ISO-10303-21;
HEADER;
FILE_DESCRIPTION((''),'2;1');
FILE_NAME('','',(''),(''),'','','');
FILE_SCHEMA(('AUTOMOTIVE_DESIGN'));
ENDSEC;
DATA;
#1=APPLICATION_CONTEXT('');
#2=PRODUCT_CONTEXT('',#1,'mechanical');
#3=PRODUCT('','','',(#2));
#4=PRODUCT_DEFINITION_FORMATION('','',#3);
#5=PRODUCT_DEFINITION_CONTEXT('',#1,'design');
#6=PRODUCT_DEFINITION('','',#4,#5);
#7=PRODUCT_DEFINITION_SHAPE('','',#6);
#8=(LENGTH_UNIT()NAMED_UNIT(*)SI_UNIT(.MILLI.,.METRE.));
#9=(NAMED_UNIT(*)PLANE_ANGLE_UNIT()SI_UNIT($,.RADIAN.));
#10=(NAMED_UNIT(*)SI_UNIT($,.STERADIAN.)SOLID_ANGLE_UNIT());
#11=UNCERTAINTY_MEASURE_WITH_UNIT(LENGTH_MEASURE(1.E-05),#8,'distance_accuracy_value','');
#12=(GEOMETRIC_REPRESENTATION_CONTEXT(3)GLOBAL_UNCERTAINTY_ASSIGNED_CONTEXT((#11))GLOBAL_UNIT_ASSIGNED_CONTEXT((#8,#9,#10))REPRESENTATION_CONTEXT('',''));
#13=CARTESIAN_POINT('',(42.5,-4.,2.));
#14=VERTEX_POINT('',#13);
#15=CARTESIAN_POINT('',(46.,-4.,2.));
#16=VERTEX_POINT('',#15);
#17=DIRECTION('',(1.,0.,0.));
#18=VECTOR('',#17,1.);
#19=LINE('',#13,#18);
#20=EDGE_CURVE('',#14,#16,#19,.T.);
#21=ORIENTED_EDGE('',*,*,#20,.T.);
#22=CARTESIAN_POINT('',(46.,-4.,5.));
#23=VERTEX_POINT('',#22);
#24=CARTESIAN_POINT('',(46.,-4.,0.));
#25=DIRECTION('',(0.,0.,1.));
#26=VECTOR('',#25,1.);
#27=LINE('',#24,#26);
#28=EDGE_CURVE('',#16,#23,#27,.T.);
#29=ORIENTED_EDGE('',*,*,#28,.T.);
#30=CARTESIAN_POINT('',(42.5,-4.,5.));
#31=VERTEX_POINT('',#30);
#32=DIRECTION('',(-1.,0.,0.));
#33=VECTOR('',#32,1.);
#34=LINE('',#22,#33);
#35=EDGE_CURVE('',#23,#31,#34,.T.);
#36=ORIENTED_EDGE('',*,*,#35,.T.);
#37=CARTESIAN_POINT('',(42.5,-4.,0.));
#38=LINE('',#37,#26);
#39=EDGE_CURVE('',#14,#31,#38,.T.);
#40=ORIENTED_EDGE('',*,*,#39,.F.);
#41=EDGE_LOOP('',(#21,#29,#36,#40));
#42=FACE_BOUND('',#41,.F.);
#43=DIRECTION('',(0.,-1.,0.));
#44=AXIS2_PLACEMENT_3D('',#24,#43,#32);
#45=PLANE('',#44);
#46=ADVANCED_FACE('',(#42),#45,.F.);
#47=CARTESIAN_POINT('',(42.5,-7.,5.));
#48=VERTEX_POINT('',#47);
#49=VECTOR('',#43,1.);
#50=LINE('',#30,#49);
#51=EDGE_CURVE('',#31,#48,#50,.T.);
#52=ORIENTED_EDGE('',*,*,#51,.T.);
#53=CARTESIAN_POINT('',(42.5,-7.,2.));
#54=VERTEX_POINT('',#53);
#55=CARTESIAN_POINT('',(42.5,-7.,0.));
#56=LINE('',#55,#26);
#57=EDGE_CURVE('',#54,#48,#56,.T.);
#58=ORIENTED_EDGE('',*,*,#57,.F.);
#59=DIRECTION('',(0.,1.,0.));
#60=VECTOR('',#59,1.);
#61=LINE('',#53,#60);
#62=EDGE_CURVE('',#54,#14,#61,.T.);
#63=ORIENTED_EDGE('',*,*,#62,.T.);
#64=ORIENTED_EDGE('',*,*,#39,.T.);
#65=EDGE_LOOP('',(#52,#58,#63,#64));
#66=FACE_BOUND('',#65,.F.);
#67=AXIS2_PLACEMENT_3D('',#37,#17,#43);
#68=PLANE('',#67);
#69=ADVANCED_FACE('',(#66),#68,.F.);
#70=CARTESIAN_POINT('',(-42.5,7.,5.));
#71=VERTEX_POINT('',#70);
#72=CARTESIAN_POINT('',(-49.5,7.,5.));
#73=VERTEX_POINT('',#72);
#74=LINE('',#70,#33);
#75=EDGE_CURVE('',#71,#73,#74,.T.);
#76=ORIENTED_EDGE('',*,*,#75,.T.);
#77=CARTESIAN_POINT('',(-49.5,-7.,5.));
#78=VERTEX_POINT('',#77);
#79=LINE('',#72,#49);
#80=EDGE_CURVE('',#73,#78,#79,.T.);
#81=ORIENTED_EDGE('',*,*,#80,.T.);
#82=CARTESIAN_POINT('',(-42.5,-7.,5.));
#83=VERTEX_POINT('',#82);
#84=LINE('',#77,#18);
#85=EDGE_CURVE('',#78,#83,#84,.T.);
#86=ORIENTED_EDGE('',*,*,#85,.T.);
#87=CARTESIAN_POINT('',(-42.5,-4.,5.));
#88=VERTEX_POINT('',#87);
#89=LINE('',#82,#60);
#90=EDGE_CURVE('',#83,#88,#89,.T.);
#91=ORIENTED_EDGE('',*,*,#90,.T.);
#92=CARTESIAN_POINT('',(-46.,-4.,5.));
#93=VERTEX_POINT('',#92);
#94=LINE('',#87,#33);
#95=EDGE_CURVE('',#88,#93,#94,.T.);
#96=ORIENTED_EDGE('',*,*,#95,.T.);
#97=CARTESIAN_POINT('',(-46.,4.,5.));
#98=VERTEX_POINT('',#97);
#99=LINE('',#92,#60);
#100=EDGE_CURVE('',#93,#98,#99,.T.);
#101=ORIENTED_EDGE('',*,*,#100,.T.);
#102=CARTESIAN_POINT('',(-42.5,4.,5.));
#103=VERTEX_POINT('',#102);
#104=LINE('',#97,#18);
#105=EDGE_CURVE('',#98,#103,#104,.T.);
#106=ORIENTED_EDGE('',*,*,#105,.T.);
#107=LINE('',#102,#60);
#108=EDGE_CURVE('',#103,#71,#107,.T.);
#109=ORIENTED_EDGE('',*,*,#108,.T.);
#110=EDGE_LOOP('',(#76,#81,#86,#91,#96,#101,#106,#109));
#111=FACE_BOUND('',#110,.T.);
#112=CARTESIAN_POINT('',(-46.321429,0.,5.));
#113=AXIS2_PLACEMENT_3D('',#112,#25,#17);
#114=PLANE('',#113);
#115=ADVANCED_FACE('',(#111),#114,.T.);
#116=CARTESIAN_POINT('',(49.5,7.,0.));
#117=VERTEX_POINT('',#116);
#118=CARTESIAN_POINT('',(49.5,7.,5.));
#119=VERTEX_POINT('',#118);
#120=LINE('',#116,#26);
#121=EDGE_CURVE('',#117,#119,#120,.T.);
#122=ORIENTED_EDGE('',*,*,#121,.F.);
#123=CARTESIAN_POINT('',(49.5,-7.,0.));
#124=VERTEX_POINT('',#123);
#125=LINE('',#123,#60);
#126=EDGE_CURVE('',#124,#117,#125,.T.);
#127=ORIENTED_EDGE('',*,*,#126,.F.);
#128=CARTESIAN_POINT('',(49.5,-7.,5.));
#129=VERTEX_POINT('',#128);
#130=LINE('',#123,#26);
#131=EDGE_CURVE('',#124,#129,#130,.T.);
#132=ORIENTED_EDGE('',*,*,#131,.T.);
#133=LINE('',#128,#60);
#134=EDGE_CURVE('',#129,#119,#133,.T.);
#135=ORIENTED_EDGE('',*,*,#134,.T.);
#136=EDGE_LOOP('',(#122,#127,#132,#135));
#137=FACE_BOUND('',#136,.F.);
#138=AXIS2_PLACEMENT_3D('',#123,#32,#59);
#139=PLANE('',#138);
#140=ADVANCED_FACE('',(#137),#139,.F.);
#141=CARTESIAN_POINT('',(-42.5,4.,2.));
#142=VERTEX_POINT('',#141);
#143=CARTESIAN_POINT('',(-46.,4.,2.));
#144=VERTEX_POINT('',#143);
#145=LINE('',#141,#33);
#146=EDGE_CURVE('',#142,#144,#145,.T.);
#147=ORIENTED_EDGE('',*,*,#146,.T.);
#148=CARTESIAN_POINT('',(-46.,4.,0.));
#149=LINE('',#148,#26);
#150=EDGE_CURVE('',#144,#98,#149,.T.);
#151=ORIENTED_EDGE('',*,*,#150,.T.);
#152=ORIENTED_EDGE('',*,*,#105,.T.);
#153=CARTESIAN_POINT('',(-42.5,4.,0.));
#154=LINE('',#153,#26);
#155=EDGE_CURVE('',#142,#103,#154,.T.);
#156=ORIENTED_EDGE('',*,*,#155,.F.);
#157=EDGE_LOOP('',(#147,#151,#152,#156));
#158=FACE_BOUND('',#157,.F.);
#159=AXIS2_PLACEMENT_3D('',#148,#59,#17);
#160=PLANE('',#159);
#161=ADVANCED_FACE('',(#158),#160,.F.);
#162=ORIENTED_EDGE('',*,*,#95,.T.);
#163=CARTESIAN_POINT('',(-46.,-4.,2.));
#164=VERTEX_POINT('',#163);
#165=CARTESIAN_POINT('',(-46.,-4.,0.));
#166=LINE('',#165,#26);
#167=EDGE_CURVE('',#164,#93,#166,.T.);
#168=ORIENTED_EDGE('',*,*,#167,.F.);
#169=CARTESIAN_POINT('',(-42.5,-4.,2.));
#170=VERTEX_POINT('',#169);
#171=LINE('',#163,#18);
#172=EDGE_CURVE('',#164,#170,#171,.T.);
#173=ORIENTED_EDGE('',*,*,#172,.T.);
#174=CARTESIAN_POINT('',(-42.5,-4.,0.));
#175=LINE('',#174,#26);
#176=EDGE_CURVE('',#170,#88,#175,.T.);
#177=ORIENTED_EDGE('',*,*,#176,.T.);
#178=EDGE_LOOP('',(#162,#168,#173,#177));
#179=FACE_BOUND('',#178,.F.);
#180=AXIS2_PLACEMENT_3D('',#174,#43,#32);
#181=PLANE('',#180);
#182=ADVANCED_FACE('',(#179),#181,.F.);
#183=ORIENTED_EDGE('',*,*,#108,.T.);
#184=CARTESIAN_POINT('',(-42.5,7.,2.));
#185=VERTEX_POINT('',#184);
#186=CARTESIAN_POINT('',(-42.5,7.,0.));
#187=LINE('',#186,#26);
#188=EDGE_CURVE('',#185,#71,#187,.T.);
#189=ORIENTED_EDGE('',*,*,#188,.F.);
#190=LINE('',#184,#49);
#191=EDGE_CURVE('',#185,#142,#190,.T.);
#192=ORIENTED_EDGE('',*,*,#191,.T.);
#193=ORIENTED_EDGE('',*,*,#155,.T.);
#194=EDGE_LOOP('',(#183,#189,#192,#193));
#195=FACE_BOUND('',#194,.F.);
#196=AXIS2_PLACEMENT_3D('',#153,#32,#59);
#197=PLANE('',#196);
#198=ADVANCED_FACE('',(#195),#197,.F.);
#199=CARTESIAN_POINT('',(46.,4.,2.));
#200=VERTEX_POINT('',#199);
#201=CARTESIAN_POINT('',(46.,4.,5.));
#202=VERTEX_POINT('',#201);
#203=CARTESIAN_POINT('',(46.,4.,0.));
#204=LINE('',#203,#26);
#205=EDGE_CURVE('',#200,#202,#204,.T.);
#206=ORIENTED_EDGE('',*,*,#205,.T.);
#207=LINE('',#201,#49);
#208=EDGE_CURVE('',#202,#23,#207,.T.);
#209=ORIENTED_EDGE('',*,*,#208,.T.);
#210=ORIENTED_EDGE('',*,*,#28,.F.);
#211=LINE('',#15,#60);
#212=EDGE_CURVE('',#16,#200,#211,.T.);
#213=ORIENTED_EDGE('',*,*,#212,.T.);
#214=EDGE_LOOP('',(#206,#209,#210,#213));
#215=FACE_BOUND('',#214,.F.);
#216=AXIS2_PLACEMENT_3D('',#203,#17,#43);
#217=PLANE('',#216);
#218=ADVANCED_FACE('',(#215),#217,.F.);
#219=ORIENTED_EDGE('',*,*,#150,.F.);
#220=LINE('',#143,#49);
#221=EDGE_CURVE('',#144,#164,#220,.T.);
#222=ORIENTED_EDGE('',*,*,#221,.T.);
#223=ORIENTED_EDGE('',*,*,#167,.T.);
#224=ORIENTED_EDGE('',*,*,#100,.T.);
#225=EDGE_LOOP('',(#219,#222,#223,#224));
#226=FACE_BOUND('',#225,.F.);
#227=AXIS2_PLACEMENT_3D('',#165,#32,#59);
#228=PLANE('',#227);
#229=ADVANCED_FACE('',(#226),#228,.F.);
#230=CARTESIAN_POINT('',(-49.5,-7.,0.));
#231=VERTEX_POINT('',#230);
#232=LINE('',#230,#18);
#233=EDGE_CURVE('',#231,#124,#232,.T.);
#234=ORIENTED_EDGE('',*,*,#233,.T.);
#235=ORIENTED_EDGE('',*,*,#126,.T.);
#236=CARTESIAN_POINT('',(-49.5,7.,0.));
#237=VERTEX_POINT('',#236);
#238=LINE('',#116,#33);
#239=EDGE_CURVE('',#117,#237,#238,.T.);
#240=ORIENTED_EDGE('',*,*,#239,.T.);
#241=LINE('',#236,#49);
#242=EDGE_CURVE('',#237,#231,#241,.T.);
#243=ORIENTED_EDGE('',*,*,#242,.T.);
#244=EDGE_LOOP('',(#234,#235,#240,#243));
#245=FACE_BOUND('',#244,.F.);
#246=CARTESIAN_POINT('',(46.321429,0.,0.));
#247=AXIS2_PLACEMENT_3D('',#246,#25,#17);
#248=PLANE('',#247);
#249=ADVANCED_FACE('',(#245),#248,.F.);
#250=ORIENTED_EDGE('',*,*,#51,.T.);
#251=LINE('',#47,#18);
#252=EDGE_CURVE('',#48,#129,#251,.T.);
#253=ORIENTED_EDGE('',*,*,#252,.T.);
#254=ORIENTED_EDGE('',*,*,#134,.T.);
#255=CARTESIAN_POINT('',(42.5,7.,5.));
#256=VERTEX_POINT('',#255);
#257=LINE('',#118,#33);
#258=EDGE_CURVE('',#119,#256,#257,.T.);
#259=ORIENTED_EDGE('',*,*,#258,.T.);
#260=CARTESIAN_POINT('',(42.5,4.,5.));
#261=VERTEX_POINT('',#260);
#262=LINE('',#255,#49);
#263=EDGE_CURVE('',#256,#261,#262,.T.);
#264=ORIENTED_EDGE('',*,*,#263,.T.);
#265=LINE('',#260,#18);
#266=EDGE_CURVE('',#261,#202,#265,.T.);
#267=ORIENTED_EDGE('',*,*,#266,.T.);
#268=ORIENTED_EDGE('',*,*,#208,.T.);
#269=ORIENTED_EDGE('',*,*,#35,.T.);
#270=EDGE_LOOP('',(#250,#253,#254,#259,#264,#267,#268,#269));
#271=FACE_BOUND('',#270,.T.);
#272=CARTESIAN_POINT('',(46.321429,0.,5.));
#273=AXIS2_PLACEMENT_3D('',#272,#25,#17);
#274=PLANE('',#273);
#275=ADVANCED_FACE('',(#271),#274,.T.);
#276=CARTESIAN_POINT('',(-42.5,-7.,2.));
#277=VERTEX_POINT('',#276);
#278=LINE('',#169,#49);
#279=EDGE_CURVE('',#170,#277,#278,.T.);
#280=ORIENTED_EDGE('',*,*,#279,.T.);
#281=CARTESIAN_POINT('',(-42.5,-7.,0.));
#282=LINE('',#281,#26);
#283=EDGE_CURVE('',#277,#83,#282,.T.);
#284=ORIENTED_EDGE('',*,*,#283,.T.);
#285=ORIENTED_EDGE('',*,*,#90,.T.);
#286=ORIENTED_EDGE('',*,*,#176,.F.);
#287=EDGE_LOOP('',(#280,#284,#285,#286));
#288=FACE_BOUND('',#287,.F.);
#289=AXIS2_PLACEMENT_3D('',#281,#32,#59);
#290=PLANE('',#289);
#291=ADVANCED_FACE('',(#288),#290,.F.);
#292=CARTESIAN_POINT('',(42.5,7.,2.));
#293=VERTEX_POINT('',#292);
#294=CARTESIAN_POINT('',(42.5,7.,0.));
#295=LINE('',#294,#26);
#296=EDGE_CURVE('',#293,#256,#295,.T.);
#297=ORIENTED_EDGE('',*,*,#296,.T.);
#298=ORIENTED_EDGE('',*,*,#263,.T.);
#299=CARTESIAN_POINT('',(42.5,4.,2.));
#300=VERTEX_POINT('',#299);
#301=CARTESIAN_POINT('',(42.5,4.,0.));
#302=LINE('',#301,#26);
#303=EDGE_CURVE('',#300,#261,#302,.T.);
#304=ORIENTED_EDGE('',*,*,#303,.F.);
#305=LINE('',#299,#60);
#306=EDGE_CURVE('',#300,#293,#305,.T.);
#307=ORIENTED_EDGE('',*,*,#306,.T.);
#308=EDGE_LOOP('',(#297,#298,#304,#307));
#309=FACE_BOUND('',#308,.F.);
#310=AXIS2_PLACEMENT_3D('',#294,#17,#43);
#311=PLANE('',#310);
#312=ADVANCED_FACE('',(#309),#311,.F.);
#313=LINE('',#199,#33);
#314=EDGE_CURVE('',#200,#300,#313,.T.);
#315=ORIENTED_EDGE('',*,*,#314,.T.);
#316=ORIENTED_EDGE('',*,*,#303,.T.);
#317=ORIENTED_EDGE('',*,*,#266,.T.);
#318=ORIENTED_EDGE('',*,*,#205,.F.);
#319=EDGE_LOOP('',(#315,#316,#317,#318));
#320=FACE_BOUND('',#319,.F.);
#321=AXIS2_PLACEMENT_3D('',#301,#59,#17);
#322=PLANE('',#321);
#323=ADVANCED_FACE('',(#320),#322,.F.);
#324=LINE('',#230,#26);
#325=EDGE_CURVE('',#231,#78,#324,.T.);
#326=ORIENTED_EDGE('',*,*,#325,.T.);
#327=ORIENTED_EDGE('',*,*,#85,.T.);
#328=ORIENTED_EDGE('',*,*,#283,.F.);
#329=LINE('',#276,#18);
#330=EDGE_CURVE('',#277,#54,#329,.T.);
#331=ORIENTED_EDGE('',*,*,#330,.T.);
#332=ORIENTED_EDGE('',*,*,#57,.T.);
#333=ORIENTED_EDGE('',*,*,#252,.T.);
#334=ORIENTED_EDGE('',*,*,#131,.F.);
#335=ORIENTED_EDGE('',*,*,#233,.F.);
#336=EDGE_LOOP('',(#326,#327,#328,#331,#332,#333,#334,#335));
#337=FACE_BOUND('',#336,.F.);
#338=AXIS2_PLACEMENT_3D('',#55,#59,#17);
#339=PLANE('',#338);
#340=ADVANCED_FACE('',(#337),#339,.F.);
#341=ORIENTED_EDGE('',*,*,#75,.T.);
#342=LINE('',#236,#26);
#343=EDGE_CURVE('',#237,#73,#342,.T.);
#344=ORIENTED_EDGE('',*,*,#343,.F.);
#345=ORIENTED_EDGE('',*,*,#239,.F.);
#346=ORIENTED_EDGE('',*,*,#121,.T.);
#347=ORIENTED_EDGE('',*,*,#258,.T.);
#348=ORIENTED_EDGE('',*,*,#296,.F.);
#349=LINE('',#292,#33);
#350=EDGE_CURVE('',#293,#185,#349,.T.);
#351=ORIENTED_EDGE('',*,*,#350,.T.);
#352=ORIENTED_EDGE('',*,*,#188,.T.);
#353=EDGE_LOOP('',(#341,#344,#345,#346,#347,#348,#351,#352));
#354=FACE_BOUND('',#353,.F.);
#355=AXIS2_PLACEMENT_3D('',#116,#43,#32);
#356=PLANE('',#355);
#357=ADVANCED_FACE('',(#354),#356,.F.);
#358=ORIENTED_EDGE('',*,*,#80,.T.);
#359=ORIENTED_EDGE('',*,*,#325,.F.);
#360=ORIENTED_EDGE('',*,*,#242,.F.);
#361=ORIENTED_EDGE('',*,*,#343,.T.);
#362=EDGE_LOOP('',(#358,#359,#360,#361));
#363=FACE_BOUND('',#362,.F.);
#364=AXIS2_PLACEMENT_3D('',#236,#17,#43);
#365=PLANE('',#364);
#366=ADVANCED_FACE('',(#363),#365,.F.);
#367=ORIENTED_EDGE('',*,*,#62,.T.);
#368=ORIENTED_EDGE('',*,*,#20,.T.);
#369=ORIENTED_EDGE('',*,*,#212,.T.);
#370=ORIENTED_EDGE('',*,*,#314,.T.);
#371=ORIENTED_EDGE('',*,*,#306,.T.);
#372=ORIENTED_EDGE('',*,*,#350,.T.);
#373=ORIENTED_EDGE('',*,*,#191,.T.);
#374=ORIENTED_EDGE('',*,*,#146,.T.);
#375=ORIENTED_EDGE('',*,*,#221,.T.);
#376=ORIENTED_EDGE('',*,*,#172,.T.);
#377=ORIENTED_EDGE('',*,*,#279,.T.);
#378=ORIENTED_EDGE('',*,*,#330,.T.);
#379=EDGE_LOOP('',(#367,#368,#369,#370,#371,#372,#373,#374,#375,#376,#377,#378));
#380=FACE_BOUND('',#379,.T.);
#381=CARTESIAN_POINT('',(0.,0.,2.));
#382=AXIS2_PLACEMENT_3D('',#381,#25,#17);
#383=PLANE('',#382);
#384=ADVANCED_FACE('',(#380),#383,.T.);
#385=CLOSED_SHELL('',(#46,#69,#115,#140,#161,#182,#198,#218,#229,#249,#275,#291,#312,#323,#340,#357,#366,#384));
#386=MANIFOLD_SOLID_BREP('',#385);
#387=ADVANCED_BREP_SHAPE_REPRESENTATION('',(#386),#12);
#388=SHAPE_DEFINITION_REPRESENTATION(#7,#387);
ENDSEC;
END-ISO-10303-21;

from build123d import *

# Parameters (mm, degrees)
F1_DEPTH = 2
F2_DEPTH = 5
F3_DEPTH = 5


with BuildPart() as f1:
    # F0 (on Top) → F1 (new body)
    with BuildSketch(Plane.XY):
        Polygon((42.5, 4), (42.5, 7), (-42.5, 7), (-42.5, 4), (-46, 4), (-46, -4), (-42.5, -4), (-42.5, -7), (42.5, -7), (42.5, -4), (46, -4), (46, 4), align=None)
    extrude(amount=F1_DEPTH)

    # F0 (on Top) → F2 (join)
    with BuildSketch(Plane.XY):
        Polygon((-42.5, 4), (-42.5, 7), (-49.5, 7), (-49.5, -7), (-42.5, -7), (-42.5, -4), (-46, -4), (-46, 4), align=None)
    extrude(amount=F2_DEPTH)

    # F0 (on Top) → F3 (join)
    with BuildSketch(Plane.XY):
        Polygon((49.5, -7), (49.5, 7), (42.5, 7), (42.5, 4), (46, 4), (46, -4), (42.5, -4), (42.5, -7), align=None)
    extrude(amount=F3_DEPTH)


solid = f1.part
